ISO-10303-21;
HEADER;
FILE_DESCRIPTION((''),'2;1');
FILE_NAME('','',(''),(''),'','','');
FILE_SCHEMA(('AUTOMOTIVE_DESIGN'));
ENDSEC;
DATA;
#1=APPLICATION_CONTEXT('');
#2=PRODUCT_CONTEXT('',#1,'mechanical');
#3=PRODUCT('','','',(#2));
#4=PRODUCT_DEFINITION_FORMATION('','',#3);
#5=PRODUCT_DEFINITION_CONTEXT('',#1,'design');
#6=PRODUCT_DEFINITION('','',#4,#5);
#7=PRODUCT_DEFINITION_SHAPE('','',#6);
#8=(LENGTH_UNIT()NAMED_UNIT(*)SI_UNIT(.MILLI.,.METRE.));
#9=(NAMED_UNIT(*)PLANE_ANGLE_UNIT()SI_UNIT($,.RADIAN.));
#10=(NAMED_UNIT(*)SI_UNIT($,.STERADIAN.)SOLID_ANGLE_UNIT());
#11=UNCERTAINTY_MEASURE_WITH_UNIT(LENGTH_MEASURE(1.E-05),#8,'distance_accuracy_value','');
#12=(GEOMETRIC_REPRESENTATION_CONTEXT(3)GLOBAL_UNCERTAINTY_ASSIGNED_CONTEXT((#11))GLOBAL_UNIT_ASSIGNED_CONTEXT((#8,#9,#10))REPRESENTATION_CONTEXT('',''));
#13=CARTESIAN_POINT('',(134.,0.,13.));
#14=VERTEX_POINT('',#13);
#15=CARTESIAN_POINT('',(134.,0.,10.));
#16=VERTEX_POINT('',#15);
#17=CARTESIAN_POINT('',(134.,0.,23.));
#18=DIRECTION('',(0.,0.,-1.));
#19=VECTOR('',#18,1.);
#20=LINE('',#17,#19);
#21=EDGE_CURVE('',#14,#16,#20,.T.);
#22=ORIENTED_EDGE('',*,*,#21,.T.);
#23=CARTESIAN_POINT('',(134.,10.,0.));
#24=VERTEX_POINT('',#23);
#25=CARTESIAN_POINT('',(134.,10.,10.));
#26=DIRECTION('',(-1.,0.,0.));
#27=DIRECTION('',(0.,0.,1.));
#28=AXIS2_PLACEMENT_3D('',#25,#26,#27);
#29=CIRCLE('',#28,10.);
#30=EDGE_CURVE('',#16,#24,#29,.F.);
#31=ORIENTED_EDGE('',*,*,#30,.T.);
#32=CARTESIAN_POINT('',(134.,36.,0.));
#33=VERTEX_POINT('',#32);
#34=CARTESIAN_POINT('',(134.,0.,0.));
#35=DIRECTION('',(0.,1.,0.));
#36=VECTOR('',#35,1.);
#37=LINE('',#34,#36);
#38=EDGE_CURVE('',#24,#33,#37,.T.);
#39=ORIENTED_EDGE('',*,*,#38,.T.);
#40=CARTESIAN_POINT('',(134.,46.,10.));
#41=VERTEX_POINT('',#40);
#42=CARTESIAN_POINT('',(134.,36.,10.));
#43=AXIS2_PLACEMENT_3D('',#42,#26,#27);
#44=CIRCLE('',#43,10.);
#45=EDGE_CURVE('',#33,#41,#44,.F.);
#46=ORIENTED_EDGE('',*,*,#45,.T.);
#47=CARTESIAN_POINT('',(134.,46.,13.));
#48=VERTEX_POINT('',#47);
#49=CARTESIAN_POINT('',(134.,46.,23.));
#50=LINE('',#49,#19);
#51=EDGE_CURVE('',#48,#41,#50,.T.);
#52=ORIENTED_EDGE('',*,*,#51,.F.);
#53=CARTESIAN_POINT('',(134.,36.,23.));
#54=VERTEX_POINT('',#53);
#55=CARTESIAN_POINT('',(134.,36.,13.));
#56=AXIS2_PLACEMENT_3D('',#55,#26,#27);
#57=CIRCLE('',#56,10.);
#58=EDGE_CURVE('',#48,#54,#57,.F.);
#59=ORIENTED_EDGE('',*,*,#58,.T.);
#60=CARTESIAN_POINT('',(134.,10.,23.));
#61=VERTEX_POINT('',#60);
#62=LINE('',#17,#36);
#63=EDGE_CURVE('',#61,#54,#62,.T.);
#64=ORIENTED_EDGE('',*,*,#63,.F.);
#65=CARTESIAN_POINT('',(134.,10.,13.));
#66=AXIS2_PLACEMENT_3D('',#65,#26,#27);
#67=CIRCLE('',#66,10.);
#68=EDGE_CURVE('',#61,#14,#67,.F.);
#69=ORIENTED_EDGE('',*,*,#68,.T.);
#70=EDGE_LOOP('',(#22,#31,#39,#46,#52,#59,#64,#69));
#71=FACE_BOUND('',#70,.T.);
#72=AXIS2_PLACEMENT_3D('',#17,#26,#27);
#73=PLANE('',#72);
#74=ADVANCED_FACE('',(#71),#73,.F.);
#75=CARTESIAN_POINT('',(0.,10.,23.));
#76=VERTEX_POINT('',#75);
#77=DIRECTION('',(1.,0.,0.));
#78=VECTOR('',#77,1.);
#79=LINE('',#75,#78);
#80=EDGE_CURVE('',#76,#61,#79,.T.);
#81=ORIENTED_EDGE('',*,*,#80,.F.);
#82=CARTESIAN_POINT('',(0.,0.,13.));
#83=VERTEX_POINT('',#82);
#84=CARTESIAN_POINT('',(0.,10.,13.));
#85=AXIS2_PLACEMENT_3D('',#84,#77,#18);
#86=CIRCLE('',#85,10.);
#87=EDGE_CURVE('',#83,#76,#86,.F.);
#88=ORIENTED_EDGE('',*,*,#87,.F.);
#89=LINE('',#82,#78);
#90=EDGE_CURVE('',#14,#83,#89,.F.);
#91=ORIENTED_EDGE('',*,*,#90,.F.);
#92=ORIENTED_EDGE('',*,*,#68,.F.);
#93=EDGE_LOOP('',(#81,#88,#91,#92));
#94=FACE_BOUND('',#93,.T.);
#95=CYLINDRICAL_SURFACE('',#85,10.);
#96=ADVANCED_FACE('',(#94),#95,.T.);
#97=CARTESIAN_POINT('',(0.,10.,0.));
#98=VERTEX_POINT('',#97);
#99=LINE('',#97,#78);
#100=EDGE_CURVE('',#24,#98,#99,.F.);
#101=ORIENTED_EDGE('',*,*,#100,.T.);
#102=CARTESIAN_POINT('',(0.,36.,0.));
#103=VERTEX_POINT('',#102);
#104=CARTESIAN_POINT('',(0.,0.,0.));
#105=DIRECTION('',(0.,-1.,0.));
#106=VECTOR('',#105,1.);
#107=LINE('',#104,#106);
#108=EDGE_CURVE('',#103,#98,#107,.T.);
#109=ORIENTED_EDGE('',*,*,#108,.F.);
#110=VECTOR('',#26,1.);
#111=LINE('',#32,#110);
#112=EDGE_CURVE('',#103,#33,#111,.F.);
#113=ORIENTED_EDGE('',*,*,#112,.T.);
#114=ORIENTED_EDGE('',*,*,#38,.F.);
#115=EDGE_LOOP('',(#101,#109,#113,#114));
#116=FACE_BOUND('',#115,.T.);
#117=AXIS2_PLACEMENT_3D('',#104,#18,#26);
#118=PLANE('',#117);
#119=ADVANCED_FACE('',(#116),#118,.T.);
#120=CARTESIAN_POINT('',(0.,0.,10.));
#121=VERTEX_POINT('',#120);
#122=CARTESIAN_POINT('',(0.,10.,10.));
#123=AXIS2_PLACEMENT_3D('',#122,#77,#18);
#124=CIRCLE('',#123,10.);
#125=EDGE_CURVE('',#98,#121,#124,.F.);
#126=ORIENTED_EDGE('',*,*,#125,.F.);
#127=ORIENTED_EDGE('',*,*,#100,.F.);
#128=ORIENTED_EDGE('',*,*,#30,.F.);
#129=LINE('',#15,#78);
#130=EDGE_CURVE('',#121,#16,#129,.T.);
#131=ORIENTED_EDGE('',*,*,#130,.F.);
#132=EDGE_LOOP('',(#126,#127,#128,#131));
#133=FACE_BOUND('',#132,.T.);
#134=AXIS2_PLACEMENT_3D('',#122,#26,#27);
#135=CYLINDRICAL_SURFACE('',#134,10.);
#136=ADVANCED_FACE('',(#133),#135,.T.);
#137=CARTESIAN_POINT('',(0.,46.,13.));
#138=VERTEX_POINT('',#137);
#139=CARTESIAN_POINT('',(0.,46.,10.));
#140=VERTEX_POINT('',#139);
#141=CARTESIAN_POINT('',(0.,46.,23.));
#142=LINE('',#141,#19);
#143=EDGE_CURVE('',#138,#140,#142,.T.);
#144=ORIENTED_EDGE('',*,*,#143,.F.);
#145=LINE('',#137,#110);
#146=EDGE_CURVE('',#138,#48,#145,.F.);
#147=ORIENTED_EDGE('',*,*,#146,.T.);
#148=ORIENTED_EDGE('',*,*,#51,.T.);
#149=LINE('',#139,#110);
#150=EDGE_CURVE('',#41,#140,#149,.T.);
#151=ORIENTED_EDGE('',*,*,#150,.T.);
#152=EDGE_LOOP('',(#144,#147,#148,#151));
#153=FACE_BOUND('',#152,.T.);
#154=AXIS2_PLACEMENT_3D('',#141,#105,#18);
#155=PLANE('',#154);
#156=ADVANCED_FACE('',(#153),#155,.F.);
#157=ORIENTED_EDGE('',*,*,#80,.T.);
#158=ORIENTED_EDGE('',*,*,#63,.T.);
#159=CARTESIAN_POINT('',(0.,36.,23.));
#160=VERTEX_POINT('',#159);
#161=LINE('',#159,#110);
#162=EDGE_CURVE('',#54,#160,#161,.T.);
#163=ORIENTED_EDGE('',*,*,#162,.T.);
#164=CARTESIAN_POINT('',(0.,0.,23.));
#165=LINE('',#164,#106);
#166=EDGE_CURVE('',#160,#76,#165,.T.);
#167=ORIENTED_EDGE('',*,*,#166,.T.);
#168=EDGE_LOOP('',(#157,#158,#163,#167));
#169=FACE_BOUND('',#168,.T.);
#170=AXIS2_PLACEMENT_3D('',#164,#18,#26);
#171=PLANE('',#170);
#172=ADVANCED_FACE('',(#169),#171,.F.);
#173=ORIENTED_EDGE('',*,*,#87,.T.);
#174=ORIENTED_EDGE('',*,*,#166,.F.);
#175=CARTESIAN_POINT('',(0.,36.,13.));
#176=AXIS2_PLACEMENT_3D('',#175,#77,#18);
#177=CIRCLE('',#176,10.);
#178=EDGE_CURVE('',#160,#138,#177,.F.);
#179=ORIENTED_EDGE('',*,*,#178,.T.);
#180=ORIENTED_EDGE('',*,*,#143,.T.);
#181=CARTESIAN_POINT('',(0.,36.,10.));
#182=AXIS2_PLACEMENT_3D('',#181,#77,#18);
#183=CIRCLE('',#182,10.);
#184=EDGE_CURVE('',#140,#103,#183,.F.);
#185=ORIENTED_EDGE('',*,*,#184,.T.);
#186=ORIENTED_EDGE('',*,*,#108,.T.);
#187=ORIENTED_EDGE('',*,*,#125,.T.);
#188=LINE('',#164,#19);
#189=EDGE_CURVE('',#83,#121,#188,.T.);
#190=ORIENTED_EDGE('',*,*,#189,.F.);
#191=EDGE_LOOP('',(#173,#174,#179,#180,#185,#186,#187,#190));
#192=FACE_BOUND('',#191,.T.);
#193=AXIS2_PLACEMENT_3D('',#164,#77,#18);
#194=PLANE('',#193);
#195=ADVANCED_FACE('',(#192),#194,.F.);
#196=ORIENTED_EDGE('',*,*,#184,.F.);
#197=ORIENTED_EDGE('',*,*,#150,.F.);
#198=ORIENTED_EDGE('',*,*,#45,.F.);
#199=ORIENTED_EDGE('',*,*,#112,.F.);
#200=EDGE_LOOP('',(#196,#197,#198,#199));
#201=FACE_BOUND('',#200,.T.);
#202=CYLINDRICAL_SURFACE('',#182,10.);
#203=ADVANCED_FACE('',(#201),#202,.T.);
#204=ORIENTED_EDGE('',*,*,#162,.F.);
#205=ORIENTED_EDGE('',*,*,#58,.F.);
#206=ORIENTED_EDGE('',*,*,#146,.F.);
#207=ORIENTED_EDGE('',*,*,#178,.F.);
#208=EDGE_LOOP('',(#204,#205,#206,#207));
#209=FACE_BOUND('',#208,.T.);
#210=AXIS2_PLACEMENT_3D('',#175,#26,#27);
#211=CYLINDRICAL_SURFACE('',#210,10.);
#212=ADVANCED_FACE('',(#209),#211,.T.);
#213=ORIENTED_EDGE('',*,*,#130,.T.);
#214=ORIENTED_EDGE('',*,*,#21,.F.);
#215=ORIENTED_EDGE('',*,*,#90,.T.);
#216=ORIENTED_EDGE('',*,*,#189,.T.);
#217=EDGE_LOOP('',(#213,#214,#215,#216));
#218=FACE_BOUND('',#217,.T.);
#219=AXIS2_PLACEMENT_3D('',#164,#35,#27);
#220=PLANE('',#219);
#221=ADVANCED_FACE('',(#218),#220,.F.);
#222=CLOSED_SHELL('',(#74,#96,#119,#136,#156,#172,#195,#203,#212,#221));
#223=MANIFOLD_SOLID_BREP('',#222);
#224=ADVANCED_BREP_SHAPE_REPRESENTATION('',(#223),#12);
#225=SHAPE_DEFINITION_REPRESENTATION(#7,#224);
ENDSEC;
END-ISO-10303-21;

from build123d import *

# Parameters (mm, degrees)
SKETCH1_W           = 134
SKETCH1_H           = 46
BOSS_EXTRUDE1_DEPTH = 23
FILLET4_R           = 10


with BuildPart() as part:
    # Sketch1 → Boss-Extrude1 (new body)
    with BuildSketch(Plane.XY):
        with Locations((67, 23)):
            Rectangle(SKETCH1_W, SKETCH1_H)
    extrude(amount=BOSS_EXTRUDE1_DEPTH)

    # Fillet4
    fillet4_edges = [part.edges().sort_by_distance(p)[0] for p in [
        (67, 46, 23),
        (67, 46, 0),
        (67, 0, 0),
        (67, 0, 23),
    ]]
    fillet(fillet4_edges, radius=FILLET4_R)


solid = part.part
